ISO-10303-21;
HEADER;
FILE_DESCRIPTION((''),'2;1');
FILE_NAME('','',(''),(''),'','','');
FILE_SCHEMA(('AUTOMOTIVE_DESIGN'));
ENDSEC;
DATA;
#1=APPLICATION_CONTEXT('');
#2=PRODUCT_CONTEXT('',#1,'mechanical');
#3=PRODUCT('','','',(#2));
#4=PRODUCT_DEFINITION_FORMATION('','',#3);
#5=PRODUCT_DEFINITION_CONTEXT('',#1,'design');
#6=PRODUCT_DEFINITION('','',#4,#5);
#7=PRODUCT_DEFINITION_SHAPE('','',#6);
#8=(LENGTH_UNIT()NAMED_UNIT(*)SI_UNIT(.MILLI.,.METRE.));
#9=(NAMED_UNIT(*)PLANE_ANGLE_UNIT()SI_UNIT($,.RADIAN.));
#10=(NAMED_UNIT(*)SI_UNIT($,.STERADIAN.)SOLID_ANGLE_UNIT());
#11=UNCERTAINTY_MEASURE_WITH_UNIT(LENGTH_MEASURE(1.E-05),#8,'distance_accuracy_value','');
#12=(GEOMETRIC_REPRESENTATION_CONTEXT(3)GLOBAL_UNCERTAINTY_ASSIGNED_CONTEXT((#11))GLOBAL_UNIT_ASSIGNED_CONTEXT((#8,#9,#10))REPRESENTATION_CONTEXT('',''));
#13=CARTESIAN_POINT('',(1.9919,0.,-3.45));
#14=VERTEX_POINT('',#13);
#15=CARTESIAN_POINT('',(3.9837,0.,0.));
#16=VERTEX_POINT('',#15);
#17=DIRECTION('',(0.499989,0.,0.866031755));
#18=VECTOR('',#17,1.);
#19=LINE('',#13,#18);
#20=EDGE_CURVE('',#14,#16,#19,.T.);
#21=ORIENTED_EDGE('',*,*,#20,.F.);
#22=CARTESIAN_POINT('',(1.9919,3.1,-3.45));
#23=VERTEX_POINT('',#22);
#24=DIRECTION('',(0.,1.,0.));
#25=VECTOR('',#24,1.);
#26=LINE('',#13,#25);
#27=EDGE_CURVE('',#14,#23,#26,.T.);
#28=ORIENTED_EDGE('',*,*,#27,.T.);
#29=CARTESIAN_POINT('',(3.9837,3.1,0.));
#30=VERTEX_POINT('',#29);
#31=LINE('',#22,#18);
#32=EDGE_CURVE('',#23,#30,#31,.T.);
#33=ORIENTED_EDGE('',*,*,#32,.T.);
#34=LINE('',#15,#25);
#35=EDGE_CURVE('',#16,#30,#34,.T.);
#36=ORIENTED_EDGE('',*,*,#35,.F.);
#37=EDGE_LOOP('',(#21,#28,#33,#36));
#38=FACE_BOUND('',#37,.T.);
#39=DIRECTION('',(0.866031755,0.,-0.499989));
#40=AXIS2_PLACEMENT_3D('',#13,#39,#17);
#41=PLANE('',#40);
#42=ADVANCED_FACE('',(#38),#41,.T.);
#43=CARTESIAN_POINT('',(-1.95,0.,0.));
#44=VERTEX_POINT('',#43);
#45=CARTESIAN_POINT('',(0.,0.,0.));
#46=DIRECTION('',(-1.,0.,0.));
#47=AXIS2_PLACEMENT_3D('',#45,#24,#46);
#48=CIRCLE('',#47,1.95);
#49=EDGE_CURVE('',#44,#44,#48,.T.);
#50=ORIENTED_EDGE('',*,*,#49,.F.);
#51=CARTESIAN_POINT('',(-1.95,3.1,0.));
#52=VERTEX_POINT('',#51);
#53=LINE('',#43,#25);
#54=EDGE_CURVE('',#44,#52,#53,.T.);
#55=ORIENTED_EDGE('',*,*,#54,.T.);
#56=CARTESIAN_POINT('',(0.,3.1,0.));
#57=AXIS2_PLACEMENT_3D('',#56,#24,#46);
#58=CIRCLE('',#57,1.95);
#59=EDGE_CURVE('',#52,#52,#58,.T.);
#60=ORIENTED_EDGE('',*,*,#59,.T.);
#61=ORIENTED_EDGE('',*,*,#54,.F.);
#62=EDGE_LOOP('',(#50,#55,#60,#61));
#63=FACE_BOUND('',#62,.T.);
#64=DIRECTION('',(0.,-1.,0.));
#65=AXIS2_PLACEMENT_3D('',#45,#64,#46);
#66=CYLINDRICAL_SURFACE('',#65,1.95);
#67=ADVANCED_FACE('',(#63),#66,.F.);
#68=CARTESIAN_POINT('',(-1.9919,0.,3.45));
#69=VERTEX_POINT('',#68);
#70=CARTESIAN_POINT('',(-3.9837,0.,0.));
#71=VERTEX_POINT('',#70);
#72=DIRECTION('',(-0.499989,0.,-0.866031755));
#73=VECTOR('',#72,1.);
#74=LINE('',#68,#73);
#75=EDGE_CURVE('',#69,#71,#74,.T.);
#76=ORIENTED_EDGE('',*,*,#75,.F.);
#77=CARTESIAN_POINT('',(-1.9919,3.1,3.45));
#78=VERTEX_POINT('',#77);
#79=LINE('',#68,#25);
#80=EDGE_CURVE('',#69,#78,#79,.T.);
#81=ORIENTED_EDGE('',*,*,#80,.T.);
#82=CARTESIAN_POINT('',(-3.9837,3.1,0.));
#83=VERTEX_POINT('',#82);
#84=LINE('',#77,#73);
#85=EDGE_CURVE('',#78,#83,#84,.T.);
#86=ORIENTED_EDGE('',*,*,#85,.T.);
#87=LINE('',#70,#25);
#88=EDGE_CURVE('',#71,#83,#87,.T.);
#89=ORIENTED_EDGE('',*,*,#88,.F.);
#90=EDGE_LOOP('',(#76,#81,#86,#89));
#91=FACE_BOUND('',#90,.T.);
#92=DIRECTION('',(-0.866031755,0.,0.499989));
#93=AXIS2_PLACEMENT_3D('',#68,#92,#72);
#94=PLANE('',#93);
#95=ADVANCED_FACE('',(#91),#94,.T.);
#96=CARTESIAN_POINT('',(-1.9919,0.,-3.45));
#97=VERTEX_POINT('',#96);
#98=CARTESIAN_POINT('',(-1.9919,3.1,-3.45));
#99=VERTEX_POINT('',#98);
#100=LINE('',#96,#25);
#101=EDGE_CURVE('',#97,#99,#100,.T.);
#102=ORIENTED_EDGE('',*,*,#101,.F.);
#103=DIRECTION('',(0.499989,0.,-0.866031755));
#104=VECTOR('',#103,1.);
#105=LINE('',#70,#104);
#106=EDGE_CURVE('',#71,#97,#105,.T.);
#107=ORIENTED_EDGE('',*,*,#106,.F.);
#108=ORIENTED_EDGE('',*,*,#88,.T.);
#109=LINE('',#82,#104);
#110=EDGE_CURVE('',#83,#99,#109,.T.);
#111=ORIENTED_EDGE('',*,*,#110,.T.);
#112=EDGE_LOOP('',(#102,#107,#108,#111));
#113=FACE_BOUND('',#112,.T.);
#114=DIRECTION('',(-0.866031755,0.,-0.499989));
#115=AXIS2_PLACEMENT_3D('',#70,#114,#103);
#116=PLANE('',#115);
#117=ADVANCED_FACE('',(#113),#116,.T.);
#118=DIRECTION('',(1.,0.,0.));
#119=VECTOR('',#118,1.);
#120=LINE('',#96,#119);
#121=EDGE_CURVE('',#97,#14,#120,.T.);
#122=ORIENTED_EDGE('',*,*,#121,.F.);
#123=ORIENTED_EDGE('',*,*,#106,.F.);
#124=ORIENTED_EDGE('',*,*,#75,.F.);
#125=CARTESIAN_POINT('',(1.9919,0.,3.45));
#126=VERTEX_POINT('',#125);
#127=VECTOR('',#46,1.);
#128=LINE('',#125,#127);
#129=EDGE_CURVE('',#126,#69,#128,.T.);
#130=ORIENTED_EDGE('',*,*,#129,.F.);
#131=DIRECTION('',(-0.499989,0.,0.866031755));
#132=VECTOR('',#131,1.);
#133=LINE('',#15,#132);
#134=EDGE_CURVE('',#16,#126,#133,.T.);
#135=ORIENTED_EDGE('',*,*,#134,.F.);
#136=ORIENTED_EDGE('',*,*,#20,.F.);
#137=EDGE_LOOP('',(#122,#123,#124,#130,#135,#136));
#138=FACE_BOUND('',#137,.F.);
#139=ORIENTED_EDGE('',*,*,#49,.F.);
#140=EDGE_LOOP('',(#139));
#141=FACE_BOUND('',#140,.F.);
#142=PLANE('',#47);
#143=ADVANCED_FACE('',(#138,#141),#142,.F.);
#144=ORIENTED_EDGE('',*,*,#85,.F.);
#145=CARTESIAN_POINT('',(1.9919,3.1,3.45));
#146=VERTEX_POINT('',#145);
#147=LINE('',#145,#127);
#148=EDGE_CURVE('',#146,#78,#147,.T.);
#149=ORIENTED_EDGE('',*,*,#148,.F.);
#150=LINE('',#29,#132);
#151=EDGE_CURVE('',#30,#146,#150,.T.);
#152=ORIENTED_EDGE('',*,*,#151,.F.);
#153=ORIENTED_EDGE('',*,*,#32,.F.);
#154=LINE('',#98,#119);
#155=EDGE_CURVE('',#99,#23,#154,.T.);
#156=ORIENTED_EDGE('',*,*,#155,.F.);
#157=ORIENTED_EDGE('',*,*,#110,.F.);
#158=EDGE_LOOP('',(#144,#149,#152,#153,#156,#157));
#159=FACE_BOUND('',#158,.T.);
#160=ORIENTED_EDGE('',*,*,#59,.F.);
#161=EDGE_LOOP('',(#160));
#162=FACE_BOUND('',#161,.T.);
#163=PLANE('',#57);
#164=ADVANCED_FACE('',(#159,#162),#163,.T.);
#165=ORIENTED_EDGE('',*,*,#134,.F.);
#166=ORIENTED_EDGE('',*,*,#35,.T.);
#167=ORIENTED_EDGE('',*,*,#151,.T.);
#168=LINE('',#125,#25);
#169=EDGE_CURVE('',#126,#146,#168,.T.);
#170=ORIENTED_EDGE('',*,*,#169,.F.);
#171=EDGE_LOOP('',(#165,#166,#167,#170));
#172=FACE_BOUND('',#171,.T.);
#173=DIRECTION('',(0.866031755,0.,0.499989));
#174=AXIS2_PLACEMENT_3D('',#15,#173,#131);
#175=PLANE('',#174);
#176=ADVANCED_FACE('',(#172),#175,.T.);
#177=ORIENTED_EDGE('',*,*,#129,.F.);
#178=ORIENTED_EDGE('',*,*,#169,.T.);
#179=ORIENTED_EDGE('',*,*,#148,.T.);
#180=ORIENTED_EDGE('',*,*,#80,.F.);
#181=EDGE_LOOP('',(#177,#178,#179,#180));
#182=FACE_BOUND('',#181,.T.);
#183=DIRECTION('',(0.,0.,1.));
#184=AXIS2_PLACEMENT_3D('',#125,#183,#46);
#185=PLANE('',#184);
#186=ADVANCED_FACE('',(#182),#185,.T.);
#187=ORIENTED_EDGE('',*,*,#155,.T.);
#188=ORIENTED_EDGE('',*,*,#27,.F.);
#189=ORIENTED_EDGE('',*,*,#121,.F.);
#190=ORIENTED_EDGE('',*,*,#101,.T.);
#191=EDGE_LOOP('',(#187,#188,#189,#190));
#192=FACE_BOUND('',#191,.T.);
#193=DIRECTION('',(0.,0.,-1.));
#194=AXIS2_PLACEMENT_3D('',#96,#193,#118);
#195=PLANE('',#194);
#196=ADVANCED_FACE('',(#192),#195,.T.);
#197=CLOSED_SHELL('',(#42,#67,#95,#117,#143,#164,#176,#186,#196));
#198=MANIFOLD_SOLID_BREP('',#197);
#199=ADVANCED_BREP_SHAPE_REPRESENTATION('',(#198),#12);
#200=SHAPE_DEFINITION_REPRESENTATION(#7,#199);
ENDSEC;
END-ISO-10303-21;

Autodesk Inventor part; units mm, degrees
ref_plane "YZ Plane" through (0, 0, 0) normal (1, 0, 0) x (0, 1, 0)
ref_plane "XZ Plane" through (0, 0, 0) normal (0, 1, 0) x (-1, 0, 0)
ref_plane "XY Plane" through (0, 0, 0) normal (0, 0, 1) x (1, 0, 0)
sketch "Sketch1" plane through (0, 0, 0) normal (0, 1, 0) x (-1, 0, 0)
  circle A0 centre (0, 0) radius 1.95
  line L0 (-1.9919, -3.45) -> (-3.9837, 0)
  line L1 (-3.9837, 0) -> (-1.9919, 3.45)
  line L2 (-1.9919, 3.45) -> (1.9919, 3.45)
  line L3 (1.9919, 3.45) -> (3.9837, 0)
  line L4 (3.9837, 0) -> (1.9919, -3.45)
  line L5 (1.9919, -3.45) -> (-1.9919, -3.45)
  dimension "d0" = 3.9
  dimension "d1" = 6.9
extrude "Extrusion1" add sketch "Sketch1" along normal blind 3.1
properties part number "nut3point9mm" material "Stainless Steel"
